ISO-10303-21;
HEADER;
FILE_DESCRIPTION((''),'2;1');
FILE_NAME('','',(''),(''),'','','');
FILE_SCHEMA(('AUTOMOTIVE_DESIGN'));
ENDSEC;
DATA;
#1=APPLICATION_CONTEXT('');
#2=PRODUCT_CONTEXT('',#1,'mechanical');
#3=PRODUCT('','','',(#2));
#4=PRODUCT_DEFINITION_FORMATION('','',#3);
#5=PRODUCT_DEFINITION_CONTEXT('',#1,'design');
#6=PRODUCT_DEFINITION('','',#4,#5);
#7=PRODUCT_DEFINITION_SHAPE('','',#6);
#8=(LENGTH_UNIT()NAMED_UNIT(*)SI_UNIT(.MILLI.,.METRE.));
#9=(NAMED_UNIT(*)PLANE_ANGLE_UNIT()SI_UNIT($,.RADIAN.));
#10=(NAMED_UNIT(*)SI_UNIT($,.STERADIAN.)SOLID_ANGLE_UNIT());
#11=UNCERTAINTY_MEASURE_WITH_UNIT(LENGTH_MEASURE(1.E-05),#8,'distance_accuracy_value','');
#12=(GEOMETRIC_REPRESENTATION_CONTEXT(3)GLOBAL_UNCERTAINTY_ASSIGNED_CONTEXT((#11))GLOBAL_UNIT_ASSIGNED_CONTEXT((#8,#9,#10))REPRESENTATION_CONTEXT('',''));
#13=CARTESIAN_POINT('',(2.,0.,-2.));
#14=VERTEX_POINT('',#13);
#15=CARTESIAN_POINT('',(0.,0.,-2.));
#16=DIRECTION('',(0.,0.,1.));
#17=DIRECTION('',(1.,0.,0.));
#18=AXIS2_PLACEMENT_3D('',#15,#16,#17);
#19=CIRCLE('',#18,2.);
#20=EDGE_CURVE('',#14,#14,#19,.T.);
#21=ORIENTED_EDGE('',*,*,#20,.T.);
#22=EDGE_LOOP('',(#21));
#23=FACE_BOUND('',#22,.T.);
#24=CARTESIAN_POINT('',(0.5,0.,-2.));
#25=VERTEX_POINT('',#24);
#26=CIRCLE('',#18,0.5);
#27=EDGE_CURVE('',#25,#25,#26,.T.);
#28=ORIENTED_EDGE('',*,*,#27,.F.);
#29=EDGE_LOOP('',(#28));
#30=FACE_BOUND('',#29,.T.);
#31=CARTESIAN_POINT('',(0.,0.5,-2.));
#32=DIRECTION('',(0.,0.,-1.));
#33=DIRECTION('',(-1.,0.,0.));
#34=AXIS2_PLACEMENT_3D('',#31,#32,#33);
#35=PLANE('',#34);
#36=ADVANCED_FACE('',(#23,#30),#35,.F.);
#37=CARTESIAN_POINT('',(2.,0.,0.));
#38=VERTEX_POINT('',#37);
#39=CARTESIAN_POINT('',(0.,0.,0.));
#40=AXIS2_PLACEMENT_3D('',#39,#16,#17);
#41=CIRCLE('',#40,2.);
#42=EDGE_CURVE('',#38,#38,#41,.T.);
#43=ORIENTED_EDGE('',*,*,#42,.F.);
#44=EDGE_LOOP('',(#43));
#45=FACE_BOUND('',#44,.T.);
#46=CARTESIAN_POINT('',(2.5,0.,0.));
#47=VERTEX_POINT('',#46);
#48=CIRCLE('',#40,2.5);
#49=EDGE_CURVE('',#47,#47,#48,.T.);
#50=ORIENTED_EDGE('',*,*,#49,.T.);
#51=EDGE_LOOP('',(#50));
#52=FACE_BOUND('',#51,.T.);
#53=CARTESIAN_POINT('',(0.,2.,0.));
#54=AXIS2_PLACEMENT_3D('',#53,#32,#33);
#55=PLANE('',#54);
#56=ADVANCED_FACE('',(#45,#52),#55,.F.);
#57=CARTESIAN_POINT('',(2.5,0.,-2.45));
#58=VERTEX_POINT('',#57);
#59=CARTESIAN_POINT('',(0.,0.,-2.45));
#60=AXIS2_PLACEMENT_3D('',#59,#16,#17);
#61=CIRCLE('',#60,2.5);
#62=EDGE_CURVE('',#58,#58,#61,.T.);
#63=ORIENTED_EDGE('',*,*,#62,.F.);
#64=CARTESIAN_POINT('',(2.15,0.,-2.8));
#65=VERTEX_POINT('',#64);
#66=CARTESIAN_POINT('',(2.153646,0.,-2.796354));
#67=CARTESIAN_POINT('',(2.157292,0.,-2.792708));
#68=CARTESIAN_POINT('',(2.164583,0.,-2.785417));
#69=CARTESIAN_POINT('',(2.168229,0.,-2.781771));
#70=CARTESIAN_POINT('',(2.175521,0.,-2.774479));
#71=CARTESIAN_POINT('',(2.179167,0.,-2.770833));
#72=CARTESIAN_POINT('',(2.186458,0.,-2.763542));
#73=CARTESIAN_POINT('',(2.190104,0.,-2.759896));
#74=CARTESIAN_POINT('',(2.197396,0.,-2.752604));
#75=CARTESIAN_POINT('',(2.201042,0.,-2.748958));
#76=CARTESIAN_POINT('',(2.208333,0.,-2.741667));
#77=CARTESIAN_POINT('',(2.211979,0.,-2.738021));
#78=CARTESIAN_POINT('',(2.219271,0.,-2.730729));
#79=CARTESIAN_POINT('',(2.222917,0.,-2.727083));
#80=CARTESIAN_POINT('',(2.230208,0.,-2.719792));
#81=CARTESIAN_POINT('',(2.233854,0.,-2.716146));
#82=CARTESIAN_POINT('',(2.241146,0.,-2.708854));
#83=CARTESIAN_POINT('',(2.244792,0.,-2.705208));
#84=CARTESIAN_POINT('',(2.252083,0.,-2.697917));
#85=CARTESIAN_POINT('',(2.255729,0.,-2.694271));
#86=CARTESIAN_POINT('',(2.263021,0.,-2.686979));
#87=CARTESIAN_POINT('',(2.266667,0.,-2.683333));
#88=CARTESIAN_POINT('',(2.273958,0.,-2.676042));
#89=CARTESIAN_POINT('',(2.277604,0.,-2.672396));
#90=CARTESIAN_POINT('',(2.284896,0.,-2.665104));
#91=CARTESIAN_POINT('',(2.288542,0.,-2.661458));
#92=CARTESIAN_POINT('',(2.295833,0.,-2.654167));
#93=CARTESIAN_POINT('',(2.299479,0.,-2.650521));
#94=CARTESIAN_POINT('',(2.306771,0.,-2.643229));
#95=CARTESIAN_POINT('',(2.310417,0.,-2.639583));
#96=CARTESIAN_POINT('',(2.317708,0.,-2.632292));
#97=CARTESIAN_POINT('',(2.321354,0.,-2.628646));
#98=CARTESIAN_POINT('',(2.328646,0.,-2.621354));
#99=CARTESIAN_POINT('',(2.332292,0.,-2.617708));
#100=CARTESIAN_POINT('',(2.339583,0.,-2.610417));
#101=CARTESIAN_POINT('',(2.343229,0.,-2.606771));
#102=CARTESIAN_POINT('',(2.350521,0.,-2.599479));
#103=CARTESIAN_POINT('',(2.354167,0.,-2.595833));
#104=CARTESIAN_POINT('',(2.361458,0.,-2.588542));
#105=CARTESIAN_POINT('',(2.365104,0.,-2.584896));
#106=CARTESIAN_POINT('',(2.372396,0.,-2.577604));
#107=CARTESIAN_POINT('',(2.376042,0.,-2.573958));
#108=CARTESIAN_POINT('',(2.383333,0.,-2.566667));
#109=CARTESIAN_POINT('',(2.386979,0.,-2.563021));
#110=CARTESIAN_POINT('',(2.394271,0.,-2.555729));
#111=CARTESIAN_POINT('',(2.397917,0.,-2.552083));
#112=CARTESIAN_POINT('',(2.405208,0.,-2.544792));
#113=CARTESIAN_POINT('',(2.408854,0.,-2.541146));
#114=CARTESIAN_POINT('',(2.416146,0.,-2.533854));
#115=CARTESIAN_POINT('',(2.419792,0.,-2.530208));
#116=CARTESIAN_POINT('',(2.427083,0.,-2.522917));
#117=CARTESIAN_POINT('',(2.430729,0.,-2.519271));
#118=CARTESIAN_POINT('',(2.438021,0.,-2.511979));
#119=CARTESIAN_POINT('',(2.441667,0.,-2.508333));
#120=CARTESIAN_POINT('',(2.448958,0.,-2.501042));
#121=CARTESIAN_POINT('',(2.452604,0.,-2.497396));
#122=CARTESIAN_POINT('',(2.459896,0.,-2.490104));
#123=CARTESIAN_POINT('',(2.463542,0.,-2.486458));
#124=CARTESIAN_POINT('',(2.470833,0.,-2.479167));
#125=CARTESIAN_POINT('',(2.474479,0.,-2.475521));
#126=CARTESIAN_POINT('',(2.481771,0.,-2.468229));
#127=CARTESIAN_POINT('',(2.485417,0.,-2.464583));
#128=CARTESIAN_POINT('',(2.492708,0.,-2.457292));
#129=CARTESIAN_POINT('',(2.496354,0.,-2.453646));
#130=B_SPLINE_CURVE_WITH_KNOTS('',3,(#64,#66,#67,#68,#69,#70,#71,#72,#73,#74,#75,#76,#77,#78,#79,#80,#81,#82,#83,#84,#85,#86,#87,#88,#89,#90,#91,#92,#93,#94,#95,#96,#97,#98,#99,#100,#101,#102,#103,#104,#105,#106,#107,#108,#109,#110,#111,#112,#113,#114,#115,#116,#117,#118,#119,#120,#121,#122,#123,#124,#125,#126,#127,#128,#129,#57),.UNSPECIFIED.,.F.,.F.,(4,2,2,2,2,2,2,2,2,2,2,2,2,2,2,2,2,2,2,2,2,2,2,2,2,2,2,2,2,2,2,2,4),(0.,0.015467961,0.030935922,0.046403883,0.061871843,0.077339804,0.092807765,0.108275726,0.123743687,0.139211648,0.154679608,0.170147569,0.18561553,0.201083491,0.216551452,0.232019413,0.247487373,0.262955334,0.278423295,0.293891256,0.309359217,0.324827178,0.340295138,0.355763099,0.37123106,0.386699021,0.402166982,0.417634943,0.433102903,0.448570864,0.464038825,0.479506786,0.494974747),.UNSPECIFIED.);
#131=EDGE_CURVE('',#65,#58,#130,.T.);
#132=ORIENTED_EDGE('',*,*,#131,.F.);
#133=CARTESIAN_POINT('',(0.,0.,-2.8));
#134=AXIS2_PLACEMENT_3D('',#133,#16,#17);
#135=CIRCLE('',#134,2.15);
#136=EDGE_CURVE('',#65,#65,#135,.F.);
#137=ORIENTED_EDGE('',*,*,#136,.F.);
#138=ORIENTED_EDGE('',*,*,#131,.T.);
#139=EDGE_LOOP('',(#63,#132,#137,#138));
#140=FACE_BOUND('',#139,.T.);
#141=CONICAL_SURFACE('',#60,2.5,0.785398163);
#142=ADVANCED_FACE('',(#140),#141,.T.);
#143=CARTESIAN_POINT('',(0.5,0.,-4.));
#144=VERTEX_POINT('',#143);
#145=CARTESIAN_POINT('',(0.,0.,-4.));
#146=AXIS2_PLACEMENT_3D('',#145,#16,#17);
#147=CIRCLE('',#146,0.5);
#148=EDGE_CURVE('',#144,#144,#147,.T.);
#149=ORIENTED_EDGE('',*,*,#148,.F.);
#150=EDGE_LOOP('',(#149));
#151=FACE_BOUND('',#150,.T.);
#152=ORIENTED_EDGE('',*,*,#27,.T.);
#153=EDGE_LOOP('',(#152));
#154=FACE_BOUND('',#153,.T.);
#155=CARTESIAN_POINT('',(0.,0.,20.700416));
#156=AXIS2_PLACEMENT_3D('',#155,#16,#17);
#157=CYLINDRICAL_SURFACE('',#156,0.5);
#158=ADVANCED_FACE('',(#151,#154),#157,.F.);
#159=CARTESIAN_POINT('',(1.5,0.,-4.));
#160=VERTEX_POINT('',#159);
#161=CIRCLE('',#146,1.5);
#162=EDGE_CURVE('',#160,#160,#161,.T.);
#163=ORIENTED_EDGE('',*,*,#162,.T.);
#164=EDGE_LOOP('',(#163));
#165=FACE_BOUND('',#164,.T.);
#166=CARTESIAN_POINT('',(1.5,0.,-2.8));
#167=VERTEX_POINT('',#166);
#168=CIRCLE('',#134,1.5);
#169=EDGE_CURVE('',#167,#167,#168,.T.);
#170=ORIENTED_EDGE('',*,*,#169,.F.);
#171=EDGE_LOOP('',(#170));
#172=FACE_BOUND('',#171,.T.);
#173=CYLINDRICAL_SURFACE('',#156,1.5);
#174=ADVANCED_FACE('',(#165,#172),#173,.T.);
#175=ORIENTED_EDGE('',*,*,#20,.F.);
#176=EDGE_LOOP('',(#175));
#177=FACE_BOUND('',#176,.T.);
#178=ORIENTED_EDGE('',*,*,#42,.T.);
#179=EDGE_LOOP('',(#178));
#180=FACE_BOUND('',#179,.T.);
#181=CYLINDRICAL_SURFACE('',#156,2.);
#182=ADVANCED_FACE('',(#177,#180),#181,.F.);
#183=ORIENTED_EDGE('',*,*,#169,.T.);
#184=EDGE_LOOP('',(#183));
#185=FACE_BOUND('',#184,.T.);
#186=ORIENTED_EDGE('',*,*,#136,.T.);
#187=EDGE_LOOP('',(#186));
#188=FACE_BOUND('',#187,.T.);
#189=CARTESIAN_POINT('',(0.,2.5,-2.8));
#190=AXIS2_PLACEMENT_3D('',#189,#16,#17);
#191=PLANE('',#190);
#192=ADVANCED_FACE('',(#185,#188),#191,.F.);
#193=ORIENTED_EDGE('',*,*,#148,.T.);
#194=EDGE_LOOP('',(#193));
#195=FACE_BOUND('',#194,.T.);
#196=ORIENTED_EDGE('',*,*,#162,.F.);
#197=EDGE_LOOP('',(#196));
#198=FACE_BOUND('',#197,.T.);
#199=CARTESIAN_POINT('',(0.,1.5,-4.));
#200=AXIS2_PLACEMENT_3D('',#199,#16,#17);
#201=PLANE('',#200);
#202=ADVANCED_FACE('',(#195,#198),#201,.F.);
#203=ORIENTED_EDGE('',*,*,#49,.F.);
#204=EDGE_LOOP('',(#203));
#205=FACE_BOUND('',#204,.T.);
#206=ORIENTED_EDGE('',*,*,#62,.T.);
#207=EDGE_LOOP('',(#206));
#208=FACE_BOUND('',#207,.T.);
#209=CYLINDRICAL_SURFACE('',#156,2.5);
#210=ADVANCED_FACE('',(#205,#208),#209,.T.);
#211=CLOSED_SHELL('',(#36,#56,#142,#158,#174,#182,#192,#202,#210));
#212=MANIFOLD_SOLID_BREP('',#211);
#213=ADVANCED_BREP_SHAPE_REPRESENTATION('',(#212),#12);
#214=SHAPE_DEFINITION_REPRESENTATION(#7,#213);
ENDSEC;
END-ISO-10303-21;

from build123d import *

# Parameters (mm, degrees)
FASE1_SIZE = 0.35


with BuildPart() as part:
    # Sketch1 → Revolve1 (revolve)
    with BuildSketch(Plane(origin=(0, 0, 0), x_dir=(0, 0, -1), z_dir=(1, 0, 0)), mode=Mode.PRIVATE) as revolve1_sk:
        Polygon((0, 2.5), (2.8, 2.5), (2.8, 1.5), (4, 1.5), (4, 0.5), (2, 0.5), (2, 2), (0, 2), align=None)
    revolve(revolve1_sk.sketch.rotate(Axis((0, 0, 20.700415561), (0, 0, -1)), 90), axis=Axis((0, 0, 20.700415561), (0, 0, -1)))

    # Fase1
    fase1_edges = [part.edges().sort_by_distance(p)[0] for p in [
        (-2.5, 0, -2.8),
    ]]
    chamfer(fase1_edges, length=FASE1_SIZE)


solid = part.part
